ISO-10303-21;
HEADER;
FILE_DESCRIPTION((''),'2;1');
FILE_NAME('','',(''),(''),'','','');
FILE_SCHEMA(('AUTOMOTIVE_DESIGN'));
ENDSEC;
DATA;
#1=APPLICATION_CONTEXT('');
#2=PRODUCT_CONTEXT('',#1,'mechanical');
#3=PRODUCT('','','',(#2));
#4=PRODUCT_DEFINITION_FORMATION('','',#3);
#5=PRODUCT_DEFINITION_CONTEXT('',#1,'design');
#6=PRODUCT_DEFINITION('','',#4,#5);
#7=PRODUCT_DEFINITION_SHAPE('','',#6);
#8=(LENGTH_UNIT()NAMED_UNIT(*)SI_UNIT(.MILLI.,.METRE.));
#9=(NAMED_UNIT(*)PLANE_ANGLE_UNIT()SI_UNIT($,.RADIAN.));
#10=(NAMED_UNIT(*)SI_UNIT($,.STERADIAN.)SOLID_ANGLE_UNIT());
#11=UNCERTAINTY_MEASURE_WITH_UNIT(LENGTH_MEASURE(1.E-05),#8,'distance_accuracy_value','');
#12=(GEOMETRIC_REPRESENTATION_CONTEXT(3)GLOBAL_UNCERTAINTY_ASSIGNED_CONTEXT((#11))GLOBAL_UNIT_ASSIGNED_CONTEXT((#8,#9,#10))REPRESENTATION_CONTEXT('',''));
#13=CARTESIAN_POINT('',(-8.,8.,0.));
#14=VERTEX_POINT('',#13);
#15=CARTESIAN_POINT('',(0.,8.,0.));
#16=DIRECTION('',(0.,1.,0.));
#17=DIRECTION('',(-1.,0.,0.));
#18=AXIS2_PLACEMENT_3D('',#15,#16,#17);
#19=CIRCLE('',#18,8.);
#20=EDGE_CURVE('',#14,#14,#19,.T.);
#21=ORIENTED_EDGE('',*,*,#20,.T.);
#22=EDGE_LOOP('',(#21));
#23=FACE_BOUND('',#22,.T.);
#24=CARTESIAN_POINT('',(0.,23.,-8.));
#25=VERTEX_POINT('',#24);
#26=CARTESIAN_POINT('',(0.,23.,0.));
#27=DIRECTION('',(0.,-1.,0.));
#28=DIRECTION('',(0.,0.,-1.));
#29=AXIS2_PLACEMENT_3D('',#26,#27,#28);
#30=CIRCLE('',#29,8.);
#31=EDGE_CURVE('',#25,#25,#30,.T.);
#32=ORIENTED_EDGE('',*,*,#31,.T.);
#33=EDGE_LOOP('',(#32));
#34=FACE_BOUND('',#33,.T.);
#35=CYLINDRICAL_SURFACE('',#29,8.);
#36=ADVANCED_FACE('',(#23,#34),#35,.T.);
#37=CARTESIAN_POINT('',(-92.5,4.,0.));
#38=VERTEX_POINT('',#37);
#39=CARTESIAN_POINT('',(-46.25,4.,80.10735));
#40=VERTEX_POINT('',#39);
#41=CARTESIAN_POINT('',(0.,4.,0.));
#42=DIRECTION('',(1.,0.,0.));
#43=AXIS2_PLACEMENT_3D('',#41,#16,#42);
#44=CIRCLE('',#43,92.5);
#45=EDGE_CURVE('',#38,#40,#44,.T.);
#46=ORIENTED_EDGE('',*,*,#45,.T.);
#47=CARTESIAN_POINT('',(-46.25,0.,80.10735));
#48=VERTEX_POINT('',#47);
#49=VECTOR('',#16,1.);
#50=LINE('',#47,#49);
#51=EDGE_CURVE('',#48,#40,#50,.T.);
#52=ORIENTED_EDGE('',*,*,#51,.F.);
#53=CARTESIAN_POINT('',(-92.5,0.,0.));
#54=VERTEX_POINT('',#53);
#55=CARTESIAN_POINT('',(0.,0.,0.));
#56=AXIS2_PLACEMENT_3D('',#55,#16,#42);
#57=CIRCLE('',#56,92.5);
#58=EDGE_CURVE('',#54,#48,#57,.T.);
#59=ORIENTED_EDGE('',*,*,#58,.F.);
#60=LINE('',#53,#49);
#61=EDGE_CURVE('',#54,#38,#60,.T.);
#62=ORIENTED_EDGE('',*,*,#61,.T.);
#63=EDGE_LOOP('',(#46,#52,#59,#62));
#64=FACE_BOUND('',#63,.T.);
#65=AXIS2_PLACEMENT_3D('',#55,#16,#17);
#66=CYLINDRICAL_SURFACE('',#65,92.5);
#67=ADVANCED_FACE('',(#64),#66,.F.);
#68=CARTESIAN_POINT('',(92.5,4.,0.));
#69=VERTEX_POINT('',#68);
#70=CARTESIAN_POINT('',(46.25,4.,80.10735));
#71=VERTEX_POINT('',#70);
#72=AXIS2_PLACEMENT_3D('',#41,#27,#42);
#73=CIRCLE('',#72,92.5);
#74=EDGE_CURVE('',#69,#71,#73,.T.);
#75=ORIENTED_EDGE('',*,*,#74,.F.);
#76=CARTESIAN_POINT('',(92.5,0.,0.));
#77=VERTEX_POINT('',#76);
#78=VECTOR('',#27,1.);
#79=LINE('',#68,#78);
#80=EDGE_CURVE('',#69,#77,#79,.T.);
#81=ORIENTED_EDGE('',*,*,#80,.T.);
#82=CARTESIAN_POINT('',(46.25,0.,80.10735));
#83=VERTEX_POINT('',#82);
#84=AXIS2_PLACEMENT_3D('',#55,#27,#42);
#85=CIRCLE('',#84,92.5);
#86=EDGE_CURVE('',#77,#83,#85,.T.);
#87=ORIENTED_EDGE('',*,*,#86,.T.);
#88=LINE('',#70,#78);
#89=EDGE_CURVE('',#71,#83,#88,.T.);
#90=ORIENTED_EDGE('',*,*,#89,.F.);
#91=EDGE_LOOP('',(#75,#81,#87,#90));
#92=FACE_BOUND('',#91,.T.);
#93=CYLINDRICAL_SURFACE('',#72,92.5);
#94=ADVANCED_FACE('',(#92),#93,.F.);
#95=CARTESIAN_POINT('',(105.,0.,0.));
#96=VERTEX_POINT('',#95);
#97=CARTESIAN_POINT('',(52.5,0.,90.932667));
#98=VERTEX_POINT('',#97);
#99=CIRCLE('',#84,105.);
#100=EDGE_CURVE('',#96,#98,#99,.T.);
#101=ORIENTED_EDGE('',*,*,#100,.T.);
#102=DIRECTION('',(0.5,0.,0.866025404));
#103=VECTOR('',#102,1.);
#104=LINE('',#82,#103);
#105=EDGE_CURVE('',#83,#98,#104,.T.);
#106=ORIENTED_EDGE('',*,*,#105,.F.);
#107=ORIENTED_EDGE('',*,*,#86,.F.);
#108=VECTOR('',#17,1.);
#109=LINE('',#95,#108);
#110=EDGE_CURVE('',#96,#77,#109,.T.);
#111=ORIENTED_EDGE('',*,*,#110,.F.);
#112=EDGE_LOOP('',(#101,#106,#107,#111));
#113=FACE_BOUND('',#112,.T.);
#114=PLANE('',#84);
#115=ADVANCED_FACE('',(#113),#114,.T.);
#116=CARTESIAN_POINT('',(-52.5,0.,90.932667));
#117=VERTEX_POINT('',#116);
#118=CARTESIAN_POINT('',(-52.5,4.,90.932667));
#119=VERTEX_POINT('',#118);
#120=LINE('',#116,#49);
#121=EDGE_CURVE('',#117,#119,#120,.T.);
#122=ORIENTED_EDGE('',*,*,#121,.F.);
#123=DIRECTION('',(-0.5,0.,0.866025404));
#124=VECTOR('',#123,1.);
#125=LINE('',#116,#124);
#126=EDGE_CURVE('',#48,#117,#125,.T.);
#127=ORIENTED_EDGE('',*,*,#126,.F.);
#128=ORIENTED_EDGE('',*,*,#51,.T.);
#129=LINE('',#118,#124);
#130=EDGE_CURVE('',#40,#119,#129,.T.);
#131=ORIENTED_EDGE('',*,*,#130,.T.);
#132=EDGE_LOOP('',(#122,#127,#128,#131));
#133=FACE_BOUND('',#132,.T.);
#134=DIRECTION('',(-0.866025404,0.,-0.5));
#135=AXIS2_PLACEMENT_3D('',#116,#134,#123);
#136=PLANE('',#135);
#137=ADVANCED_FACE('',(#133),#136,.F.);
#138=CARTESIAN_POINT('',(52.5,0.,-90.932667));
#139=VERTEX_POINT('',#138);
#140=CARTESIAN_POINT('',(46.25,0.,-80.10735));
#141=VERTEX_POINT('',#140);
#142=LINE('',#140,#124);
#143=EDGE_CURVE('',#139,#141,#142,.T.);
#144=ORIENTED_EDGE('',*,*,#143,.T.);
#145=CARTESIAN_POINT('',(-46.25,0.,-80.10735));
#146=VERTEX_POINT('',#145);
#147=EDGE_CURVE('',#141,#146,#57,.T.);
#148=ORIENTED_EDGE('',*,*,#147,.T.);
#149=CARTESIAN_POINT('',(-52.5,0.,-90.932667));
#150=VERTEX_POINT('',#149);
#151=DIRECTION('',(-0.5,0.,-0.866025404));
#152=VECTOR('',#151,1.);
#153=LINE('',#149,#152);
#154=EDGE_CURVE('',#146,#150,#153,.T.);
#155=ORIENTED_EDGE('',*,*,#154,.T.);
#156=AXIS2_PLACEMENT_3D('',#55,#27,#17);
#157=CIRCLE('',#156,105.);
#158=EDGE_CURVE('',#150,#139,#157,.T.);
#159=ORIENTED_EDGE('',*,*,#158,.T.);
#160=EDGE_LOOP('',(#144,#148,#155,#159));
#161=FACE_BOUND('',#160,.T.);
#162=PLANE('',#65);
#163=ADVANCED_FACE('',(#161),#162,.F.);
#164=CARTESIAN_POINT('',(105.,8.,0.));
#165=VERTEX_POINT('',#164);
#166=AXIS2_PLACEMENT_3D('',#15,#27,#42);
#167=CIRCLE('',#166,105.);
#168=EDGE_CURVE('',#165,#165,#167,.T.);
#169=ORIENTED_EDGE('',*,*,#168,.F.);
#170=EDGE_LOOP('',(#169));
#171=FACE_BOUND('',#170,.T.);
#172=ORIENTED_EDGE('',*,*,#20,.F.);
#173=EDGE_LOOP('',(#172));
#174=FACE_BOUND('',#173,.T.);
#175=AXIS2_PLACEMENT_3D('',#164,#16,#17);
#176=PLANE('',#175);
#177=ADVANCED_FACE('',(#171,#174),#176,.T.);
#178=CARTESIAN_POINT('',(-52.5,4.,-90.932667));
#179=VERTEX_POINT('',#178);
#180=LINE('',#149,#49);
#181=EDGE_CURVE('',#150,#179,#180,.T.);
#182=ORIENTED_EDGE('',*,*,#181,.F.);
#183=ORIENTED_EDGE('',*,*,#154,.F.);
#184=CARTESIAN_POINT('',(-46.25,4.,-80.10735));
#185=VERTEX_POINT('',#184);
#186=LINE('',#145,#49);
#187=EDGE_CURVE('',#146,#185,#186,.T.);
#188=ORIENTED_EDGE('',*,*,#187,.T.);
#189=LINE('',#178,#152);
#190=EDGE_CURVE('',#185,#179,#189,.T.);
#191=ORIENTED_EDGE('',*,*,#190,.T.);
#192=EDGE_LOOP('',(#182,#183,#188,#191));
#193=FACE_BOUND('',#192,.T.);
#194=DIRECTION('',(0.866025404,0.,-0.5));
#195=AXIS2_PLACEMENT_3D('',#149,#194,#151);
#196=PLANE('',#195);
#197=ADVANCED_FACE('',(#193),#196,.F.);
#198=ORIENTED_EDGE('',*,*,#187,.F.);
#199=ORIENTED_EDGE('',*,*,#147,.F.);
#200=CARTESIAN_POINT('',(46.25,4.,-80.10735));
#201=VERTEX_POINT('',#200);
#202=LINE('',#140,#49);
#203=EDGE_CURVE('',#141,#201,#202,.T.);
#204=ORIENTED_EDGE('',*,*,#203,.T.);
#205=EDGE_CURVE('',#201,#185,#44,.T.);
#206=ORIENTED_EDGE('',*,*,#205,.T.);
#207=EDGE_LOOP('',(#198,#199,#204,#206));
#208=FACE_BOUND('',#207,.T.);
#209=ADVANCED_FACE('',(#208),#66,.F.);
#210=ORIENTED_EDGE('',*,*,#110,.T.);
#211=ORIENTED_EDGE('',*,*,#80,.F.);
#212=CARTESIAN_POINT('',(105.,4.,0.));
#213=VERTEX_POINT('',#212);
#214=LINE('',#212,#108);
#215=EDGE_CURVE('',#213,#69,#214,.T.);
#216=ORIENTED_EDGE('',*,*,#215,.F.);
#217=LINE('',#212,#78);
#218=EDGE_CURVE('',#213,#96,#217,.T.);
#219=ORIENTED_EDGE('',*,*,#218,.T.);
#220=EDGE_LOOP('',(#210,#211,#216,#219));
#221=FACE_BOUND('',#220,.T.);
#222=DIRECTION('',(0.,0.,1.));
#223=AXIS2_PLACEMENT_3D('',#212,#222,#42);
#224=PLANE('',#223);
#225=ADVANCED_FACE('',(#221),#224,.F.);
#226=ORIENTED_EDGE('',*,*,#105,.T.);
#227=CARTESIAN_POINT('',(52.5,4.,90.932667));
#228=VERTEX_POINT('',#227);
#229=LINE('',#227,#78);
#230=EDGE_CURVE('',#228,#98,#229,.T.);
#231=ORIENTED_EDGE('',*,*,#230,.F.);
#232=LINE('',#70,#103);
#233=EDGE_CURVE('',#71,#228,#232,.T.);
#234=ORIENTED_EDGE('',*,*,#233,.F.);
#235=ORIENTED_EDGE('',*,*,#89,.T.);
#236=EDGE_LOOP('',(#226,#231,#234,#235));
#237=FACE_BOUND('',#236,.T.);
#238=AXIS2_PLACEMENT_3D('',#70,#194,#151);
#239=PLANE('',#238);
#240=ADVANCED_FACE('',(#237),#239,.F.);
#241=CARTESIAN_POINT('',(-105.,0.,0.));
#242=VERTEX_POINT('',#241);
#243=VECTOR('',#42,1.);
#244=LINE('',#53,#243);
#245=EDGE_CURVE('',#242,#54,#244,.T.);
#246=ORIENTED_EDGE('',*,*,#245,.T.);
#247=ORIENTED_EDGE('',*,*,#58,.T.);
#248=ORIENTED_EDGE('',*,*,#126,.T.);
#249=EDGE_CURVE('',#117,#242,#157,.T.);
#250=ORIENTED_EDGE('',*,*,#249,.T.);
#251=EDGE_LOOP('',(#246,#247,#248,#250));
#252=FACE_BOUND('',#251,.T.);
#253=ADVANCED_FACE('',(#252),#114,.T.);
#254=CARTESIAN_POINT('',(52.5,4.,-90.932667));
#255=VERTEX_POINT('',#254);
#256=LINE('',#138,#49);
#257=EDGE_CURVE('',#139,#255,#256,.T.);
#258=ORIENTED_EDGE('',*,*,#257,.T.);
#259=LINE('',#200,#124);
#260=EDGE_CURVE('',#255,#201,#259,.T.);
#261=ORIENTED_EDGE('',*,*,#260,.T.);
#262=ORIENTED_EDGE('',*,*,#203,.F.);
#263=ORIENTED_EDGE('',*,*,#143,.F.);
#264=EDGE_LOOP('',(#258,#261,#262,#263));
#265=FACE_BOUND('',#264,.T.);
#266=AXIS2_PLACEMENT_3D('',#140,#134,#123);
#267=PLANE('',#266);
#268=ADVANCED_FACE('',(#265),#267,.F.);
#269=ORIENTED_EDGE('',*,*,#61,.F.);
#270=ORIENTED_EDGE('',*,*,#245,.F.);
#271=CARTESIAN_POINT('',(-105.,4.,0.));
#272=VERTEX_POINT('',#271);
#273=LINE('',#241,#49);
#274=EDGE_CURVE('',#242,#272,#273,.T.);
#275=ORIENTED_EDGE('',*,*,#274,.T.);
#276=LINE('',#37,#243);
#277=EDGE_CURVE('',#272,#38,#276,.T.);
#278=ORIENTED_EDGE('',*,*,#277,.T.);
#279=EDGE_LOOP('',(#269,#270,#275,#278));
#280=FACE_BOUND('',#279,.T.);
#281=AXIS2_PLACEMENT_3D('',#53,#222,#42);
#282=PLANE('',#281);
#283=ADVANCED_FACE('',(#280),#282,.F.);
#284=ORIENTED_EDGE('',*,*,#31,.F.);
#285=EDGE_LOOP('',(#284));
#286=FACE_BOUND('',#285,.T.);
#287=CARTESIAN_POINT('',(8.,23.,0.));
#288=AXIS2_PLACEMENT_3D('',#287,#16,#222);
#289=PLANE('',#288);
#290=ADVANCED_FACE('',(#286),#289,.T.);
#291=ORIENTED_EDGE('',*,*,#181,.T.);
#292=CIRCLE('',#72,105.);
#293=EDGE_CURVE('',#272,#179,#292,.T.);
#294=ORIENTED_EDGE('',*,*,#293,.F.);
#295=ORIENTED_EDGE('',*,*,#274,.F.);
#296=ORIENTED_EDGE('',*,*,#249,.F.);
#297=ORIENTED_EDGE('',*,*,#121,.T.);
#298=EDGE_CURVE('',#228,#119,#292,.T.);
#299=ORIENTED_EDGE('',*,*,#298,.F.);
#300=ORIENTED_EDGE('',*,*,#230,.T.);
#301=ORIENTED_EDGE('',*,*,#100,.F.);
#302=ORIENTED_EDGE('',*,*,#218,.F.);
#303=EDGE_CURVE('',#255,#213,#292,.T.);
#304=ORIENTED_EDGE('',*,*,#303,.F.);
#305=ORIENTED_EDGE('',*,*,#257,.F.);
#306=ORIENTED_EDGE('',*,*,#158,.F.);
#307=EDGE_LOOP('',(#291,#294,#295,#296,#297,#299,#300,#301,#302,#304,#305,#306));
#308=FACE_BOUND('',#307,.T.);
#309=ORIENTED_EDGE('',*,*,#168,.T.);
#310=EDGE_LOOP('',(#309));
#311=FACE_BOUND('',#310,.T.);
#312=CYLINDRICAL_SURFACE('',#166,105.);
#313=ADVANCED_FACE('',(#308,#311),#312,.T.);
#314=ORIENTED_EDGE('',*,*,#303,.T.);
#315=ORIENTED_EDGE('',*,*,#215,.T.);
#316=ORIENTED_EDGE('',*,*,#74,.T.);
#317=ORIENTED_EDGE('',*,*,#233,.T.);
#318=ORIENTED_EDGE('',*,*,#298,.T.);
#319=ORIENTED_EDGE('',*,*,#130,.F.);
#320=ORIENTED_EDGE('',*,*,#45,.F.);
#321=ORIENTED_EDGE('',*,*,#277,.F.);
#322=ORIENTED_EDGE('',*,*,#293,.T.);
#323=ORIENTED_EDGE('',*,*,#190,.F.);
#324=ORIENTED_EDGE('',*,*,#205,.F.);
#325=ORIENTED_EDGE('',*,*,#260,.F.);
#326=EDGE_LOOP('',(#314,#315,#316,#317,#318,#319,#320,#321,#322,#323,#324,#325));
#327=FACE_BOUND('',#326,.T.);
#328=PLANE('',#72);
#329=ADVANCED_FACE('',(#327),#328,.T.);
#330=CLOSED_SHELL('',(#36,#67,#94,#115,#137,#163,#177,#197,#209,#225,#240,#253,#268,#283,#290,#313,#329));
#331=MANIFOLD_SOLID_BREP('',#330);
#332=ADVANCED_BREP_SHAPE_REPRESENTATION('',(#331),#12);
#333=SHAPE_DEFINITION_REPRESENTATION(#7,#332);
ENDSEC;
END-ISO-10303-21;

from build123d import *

# Parameters (mm, degrees)
SKETCH1_W           = 105
SKETCH1_H           = 8
CUT_EXTRUDE1_DEPTH  = 4
BOSS_EXTRUDE1_DEPTH = 4
BOSS_EXTRUDE2_DEPTH = 4
SKETCH5_W           = 8
SKETCH5_H           = 15


with BuildPart() as part:
    # Sketch1 → Revolve1 (revolve)
    with BuildSketch(Plane.XY):
        with Locations((52.5, 4)):
            Rectangle(SKETCH1_W, SKETCH1_H)
    revolve(axis=Axis((0, 8, 0), (0, -1, 0)))

    # Sketch2 → Cut-Extrude1 (cut)
    with BuildSketch(Plane.XZ):
        with BuildLine():
            Line((46.25, 80.10734985), (52.5, 90.932667397))
            ThreePointArc((52.5, 90.932667397), (-90.932667397, -52.5), (105, 0))
            Line((105, 0), (92.5, 0))
            ThreePointArc((92.5, 0), (80.10734985, 46.25), (46.25, 80.10734985))
        make_face()
    extrude(amount=-CUT_EXTRUDE1_DEPTH, mode=Mode.SUBTRACT)

    # Sketch3 → Boss-Extrude1 (add)
    with BuildSketch(Plane.XZ.offset(-4)):
        with BuildLine():
            Line((-92.5, 0), (-105, 0))
            ThreePointArc((-105, 0), (-90.932667397, 52.5), (-52.5, 90.932667397))
            Line((-52.5, 90.932667397), (-46.25, 80.10734985))
            ThreePointArc((-46.25, 80.10734985), (-80.10734985, 46.25), (-92.5, 0))
        make_face()
    extrude(amount=BOSS_EXTRUDE1_DEPTH)

    # Sketch4 → Boss-Extrude2 (add)
    with BuildSketch(Plane.XZ.offset(-4)):
        with BuildLine():
            Line((-52.5, -90.932667397), (-46.25, -80.10734985))
            ThreePointArc((-46.25, -80.10734985), (0, -92.5), (46.25, -80.10734985))
            Line((46.25, -80.10734985), (52.5, -90.932667397))
            ThreePointArc((52.5, -90.932667397), (0, -105), (-52.5, -90.932667397))
        make_face()
    extrude(amount=BOSS_EXTRUDE2_DEPTH)

    # Sketch5 → Revolve2 (revolve)
    with BuildSketch(Plane.XY):
        with Locations((4, 15.5)):
            Rectangle(SKETCH5_W, SKETCH5_H)
    revolve(axis=Axis((0, 23, 0), (0, -1, 0)))


solid = part.part
